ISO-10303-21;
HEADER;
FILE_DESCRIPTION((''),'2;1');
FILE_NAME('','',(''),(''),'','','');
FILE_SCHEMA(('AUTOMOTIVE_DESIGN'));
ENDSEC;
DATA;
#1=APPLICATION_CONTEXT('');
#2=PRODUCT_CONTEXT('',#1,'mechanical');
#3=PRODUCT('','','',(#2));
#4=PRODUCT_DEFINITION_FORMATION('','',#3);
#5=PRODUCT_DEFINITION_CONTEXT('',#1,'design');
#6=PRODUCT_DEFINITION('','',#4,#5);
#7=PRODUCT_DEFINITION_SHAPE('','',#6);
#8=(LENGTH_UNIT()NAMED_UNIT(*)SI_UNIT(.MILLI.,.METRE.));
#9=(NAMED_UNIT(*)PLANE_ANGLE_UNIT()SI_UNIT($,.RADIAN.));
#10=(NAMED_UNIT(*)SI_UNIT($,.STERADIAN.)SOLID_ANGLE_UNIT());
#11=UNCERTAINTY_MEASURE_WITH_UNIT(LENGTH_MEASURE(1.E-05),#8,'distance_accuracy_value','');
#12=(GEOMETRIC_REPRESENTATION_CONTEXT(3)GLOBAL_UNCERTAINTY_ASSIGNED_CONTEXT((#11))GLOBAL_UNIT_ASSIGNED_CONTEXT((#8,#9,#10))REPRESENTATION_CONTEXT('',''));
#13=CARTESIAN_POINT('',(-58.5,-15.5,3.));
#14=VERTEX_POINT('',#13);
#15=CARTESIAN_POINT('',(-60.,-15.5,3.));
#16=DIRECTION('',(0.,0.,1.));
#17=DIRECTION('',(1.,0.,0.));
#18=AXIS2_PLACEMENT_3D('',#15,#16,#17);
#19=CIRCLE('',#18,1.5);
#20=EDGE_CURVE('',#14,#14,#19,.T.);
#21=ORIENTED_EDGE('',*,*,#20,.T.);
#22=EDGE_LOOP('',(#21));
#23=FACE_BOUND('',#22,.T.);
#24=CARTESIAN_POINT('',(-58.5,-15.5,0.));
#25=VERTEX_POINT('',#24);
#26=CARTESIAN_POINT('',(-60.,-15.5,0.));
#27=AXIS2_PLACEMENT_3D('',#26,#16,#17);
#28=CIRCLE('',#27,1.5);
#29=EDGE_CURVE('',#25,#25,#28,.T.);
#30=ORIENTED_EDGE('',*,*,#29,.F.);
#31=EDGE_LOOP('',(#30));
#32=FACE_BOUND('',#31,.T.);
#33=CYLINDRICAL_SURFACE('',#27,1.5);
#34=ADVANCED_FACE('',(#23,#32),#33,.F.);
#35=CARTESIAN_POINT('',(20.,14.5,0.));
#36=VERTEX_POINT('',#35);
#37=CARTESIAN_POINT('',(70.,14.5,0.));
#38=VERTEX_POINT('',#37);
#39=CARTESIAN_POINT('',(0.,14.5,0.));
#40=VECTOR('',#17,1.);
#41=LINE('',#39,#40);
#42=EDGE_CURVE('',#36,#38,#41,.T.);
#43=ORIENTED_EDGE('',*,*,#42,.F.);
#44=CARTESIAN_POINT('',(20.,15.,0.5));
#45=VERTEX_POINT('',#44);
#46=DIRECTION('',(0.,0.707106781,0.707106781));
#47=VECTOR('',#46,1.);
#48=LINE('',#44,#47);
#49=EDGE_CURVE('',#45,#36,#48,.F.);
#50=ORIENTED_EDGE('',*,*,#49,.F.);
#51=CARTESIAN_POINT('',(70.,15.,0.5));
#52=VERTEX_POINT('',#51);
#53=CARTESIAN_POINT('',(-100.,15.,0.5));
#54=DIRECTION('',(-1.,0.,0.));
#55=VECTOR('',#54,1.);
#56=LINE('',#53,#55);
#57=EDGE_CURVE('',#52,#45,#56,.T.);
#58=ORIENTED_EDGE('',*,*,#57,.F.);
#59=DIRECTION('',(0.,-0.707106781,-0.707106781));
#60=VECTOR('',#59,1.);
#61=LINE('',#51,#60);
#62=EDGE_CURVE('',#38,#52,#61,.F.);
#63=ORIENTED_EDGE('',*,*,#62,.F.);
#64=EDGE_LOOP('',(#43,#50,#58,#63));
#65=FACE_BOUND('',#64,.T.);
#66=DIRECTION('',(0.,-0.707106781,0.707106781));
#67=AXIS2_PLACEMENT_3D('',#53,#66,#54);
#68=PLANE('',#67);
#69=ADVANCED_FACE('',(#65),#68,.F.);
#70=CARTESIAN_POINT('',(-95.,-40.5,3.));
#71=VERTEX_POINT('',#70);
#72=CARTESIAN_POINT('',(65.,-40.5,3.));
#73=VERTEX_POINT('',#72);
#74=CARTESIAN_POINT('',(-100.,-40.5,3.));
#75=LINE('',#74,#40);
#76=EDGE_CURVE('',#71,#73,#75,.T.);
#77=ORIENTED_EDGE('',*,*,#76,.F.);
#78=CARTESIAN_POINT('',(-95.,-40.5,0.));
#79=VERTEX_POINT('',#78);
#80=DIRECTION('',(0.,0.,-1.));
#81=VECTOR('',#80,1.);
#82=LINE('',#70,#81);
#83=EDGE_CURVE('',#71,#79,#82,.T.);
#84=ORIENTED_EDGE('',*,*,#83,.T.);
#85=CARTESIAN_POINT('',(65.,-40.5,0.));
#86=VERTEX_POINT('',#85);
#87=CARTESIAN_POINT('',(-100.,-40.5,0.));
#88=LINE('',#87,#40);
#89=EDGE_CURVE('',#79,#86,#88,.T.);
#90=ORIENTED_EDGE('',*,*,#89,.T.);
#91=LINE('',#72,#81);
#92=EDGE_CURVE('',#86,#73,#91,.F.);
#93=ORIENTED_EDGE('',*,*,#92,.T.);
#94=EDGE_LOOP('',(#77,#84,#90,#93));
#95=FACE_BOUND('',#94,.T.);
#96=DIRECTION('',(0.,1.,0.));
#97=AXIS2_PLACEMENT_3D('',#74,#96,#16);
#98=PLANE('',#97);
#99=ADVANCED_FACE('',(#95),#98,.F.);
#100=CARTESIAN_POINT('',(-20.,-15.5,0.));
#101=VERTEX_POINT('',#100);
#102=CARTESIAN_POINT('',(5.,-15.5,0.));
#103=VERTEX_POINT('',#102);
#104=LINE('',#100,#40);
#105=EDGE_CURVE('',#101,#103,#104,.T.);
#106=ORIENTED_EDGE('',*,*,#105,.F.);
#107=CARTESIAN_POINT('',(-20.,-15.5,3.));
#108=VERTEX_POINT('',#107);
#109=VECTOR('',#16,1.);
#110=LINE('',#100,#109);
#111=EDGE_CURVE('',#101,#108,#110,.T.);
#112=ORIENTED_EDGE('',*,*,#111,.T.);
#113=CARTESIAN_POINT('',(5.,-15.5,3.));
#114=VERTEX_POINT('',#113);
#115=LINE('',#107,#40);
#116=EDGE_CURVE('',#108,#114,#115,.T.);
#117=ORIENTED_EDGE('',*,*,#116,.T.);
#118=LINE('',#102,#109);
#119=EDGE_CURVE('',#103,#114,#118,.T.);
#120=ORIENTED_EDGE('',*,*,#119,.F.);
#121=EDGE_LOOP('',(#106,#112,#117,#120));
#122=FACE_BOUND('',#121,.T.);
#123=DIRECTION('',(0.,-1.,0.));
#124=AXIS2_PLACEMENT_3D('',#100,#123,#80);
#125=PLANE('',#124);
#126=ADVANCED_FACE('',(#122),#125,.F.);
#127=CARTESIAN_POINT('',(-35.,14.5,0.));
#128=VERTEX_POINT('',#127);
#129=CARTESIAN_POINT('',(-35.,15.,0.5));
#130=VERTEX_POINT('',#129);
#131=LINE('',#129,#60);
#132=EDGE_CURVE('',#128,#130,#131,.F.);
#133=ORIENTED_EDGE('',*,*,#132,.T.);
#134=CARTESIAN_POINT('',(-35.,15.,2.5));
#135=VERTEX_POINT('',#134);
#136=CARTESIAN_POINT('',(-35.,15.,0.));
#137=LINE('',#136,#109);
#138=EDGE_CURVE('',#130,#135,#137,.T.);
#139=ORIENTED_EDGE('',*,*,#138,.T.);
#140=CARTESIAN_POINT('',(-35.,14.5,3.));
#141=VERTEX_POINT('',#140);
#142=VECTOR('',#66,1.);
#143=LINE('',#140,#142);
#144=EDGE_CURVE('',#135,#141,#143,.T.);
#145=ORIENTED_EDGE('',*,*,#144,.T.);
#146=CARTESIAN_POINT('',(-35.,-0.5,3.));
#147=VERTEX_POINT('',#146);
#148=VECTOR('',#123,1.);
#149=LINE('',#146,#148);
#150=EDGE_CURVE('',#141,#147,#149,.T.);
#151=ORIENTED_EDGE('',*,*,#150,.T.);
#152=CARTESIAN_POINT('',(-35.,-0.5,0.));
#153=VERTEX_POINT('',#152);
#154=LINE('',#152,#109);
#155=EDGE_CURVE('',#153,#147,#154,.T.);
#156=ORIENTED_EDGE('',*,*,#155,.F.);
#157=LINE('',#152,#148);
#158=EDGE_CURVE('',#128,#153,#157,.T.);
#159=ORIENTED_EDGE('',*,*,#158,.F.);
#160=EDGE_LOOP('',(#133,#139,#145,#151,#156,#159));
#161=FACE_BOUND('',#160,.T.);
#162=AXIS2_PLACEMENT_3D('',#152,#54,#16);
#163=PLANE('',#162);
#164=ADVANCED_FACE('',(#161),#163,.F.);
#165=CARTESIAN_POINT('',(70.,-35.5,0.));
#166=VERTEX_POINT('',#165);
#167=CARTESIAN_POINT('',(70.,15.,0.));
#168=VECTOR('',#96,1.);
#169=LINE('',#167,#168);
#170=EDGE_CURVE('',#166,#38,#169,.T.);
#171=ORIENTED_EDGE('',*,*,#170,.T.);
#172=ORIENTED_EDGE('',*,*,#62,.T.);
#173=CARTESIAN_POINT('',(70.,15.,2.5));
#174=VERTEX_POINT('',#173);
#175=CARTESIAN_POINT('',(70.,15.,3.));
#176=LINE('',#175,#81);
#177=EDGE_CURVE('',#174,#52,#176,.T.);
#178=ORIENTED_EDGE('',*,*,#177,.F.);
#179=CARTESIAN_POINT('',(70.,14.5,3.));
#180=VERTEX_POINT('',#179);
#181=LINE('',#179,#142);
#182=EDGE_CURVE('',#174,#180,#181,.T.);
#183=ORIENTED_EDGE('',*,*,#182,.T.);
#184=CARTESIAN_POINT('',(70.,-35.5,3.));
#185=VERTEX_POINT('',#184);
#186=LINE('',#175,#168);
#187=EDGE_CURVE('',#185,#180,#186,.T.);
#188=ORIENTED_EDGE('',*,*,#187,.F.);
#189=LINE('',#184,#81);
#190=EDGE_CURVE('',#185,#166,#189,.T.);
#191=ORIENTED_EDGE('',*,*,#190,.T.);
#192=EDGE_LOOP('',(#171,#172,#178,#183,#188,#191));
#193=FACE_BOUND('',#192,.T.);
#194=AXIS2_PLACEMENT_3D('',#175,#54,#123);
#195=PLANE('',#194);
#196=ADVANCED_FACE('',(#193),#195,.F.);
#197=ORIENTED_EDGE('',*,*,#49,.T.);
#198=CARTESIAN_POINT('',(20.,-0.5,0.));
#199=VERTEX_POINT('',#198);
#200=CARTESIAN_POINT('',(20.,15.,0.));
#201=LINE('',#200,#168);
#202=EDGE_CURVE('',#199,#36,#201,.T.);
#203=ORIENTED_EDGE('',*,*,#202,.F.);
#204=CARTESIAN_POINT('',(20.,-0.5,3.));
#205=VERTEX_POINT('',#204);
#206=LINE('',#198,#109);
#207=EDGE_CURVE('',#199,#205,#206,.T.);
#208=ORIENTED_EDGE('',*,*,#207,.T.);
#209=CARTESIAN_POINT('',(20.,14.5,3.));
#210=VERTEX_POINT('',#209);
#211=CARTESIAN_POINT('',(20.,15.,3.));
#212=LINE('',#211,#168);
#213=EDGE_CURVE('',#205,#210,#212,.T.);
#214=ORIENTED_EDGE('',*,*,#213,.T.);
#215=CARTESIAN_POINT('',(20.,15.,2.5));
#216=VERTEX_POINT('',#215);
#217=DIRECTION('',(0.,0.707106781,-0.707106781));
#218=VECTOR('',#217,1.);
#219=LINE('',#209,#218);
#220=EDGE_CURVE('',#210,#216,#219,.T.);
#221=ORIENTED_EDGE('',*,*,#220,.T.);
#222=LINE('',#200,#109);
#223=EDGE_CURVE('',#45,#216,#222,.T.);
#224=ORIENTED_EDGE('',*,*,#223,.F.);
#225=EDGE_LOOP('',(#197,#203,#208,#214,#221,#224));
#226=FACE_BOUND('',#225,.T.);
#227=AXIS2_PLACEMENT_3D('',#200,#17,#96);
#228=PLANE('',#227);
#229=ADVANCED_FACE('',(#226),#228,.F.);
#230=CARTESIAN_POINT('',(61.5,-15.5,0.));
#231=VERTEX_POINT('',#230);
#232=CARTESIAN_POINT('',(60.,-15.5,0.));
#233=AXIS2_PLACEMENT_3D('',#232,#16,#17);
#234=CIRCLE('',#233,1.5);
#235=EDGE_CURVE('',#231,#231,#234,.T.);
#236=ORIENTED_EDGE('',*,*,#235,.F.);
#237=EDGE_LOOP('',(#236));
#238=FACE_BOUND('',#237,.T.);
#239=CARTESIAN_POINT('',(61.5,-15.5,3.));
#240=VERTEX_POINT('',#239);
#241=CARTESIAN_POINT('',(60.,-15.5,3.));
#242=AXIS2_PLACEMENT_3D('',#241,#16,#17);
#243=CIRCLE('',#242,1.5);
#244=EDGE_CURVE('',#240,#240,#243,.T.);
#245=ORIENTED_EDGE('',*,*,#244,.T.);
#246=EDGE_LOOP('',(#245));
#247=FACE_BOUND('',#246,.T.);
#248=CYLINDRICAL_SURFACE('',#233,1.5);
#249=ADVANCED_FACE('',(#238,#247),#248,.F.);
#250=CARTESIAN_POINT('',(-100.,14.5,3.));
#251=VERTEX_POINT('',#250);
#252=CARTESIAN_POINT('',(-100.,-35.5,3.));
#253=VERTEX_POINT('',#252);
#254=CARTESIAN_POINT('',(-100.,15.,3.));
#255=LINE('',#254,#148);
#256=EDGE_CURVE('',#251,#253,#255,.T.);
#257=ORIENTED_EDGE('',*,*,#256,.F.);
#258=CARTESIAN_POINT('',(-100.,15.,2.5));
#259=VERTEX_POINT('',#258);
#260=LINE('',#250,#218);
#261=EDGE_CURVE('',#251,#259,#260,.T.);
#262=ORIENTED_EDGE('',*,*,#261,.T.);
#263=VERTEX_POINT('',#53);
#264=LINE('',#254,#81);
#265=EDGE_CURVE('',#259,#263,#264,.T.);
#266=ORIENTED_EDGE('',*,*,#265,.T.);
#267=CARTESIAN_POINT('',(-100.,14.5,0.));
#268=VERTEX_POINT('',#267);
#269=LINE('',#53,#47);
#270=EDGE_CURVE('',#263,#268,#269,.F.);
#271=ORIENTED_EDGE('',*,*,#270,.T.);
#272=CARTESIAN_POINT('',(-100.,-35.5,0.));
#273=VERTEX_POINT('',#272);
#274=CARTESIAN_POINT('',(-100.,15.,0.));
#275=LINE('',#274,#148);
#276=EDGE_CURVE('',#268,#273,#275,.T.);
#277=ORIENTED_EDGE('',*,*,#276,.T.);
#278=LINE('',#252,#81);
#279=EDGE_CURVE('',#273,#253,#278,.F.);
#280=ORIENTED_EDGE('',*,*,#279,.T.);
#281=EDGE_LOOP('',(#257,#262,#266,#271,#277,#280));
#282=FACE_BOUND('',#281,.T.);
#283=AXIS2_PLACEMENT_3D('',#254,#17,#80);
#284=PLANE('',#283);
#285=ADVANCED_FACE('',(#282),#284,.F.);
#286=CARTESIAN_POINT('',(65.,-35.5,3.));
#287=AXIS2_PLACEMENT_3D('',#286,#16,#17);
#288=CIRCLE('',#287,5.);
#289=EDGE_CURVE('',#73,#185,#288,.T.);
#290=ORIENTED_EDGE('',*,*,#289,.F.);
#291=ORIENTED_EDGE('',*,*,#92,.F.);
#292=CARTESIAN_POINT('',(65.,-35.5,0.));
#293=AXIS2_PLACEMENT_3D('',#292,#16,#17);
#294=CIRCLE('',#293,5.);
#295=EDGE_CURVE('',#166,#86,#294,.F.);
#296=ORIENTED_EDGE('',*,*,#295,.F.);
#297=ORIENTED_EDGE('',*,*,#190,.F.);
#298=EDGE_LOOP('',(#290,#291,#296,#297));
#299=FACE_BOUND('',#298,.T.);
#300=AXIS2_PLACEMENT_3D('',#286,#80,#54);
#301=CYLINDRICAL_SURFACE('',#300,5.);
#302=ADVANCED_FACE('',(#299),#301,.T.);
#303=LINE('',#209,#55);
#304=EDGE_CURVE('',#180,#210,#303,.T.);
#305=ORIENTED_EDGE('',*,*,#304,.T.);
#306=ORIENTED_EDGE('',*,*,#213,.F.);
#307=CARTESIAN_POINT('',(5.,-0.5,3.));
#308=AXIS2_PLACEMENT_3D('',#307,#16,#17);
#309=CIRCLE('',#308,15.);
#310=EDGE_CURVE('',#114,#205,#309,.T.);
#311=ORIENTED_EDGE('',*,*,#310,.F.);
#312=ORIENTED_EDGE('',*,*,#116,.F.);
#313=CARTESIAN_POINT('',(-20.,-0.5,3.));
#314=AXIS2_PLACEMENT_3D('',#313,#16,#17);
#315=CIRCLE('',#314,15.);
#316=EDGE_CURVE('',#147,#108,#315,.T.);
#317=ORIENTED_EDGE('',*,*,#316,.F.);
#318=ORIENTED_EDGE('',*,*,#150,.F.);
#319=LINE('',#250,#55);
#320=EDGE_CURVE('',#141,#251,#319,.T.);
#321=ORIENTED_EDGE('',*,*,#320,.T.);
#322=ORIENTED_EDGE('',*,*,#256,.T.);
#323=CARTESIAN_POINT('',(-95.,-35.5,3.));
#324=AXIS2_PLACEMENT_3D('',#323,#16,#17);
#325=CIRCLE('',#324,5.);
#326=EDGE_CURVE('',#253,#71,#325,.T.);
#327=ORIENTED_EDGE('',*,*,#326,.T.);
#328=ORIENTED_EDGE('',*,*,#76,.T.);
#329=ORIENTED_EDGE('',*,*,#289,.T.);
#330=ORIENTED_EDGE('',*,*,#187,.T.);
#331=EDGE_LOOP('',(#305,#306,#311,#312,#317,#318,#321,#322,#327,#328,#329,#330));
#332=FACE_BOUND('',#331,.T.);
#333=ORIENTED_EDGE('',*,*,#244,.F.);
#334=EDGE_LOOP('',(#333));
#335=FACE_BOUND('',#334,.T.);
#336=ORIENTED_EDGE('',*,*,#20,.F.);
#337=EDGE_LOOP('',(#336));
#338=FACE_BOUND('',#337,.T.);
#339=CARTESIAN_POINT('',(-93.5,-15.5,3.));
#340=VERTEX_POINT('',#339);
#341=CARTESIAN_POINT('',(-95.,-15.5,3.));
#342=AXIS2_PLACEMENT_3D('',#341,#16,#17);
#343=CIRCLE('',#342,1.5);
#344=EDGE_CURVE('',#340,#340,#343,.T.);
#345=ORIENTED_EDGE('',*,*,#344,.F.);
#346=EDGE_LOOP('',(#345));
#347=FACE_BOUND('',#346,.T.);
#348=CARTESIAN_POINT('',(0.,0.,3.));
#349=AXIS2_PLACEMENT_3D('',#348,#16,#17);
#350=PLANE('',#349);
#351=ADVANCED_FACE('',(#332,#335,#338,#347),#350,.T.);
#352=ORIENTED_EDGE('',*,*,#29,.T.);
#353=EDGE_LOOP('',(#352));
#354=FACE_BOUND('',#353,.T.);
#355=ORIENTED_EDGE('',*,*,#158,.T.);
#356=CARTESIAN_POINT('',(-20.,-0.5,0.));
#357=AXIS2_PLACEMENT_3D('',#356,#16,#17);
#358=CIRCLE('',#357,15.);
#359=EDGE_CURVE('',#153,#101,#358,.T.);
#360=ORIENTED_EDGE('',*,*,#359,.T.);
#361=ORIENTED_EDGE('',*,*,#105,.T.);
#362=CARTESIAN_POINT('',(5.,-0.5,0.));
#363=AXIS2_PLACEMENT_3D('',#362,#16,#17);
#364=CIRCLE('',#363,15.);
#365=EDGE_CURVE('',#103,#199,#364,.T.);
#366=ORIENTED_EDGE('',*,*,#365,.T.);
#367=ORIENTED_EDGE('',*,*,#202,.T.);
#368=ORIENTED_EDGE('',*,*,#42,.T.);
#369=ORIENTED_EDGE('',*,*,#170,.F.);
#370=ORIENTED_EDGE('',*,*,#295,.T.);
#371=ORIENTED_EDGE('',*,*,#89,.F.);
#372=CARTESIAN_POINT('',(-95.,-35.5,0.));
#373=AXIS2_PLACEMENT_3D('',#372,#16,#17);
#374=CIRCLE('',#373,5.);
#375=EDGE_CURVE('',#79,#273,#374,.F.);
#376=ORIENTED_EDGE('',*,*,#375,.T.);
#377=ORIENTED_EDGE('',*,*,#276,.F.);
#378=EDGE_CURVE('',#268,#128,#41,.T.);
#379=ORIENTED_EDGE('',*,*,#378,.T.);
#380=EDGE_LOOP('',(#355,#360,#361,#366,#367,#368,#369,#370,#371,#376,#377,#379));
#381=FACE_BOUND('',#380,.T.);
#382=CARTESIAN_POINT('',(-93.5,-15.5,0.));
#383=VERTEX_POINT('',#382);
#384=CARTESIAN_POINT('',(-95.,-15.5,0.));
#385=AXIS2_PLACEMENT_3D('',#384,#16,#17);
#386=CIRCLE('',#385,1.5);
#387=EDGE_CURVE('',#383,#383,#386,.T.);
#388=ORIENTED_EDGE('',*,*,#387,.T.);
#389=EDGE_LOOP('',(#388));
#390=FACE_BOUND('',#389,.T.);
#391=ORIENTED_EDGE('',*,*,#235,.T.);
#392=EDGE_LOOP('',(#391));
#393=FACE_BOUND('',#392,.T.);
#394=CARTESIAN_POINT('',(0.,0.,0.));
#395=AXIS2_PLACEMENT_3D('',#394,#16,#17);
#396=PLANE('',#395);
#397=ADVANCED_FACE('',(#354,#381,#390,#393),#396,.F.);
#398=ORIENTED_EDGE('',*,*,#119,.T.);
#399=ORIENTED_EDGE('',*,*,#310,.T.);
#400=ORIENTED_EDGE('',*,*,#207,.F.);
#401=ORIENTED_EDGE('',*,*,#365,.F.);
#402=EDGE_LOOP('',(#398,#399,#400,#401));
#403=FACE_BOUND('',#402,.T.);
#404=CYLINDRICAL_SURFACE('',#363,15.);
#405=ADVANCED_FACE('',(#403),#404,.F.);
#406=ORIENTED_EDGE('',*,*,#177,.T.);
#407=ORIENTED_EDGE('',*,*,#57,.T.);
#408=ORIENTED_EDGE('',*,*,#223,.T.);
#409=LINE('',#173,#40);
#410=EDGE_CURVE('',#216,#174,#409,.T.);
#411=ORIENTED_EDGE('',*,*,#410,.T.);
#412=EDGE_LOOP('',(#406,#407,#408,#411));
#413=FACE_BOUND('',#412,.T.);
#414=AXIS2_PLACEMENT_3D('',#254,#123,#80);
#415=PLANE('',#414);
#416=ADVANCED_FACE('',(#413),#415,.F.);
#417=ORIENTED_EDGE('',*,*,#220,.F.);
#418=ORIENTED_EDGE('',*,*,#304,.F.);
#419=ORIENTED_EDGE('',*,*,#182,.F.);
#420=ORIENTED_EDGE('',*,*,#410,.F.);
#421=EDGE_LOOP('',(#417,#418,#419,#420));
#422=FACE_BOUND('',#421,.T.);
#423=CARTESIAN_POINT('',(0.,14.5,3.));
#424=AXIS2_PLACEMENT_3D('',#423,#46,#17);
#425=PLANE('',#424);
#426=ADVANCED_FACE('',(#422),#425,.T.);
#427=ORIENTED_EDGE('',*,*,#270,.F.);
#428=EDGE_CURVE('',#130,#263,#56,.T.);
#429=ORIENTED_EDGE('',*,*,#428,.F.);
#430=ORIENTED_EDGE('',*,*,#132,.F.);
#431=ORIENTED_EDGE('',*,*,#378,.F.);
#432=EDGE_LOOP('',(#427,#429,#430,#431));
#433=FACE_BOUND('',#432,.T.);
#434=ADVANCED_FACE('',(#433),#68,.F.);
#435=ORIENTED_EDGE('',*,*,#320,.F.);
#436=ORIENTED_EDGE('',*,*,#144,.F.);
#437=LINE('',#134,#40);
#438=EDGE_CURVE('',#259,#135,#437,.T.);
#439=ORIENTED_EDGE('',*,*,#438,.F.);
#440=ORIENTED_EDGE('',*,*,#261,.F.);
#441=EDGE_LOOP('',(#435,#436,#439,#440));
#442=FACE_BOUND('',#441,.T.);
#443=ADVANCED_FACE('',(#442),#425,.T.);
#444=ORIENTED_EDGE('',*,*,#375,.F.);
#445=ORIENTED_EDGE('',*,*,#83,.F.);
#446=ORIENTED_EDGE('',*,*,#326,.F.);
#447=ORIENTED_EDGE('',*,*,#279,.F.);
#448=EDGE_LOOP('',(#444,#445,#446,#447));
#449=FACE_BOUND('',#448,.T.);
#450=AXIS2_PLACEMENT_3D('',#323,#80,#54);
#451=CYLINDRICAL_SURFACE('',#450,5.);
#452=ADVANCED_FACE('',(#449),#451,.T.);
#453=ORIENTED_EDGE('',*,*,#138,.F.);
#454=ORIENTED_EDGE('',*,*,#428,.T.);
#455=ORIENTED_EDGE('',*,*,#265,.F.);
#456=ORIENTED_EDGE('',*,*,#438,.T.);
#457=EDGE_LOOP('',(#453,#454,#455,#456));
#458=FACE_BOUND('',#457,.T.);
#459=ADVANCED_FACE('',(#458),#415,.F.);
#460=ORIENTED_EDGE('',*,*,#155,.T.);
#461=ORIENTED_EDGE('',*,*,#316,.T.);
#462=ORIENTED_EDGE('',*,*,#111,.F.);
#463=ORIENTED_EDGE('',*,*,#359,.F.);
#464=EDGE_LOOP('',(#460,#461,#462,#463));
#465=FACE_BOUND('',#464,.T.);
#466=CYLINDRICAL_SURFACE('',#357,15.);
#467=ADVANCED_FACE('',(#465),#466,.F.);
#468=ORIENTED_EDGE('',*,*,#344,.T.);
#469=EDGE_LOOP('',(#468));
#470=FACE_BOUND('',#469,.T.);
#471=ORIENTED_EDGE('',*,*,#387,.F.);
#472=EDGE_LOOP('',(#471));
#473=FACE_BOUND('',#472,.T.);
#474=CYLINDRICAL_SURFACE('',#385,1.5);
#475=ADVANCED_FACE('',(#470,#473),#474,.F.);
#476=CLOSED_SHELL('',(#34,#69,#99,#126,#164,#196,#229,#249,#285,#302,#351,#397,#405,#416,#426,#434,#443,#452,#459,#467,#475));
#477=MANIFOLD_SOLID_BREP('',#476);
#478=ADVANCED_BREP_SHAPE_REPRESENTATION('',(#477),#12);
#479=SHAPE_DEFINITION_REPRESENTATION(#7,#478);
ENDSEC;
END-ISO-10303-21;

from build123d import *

# Parameters (mm, degrees)
SKETCH_1_W          = 170
SKETCH_1_H          = 55.5
EXTRUDE_1_DEPTH     = 3
SKETCH_2_R          = 1.5
CUT_EXTRUDE_1_DEPTH = 3
CUT_EXTRUDE_2_DEPTH = 3
FILLET_1_R          = 5
SKETCH_4_R          = 1.5
CUT_EXTRUDE_3_DEPTH = 3
CHAMFER_1_SIZE      = 0.5


with BuildPart() as part:
    # 草图1 → 凸台-拉伸1 (new body)
    with BuildSketch(Plane.XY):
        with Locations((-15, -12.75)):
            Rectangle(SKETCH_1_W, SKETCH_1_H)
    extrude(amount=EXTRUDE_1_DEPTH)

    # 草图2 → 切除-拉伸1 (cut)
    with BuildSketch(Plane.XY.offset(3)):
        with Locations((60, -15.5)):
            Circle(SKETCH_2_R)
        with Locations((-60, -15.5)):
            Circle(SKETCH_2_R)
    extrude(amount=-CUT_EXTRUDE_1_DEPTH, mode=Mode.SUBTRACT)

    # 草图3 → 切除-拉伸2 (cut)
    with BuildSketch(Plane.XY.offset(3)):
        with BuildLine():
            Line((-20, -15.5), (5, -15.5))
            ThreePointArc((5, -15.5), (15.606601718, -11.106601718), (20, -0.5))
            Line((20, -0.5), (20, 15))
            Line((20, 15), (-35, 15))
            Line((-35, 15), (-35, -0.5))
            ThreePointArc((-35, -0.5), (-30.606601718, -11.106601718), (-20, -15.5))
        make_face()
    extrude(amount=-CUT_EXTRUDE_2_DEPTH, mode=Mode.SUBTRACT)

    # 圆角1
    fillet_1_edges = [part.edges().sort_by_distance(p)[0] for p in [
        (70, -40.5, 1.5),
        (-100, -40.5, 1.5),
    ]]
    fillet(fillet_1_edges, radius=FILLET_1_R)

    # 草图4 → 切除-拉伸3 (cut)
    with BuildSketch(Plane.XY.offset(3)):
        with Locations((-95, -15.5)):
            Circle(SKETCH_4_R)
    extrude(amount=-CUT_EXTRUDE_3_DEPTH, mode=Mode.SUBTRACT)

    # 倒角1
    chamfer_1_edges = [part.edges().sort_by_distance(p)[0] for p in [
        (45, 15, 3),
        (-67.5, 15, 0),
        (-67.5, 15, 3),
        (45, 15, 0),
    ]]
    chamfer(chamfer_1_edges, length=CHAMFER_1_SIZE)


solid = part.part
